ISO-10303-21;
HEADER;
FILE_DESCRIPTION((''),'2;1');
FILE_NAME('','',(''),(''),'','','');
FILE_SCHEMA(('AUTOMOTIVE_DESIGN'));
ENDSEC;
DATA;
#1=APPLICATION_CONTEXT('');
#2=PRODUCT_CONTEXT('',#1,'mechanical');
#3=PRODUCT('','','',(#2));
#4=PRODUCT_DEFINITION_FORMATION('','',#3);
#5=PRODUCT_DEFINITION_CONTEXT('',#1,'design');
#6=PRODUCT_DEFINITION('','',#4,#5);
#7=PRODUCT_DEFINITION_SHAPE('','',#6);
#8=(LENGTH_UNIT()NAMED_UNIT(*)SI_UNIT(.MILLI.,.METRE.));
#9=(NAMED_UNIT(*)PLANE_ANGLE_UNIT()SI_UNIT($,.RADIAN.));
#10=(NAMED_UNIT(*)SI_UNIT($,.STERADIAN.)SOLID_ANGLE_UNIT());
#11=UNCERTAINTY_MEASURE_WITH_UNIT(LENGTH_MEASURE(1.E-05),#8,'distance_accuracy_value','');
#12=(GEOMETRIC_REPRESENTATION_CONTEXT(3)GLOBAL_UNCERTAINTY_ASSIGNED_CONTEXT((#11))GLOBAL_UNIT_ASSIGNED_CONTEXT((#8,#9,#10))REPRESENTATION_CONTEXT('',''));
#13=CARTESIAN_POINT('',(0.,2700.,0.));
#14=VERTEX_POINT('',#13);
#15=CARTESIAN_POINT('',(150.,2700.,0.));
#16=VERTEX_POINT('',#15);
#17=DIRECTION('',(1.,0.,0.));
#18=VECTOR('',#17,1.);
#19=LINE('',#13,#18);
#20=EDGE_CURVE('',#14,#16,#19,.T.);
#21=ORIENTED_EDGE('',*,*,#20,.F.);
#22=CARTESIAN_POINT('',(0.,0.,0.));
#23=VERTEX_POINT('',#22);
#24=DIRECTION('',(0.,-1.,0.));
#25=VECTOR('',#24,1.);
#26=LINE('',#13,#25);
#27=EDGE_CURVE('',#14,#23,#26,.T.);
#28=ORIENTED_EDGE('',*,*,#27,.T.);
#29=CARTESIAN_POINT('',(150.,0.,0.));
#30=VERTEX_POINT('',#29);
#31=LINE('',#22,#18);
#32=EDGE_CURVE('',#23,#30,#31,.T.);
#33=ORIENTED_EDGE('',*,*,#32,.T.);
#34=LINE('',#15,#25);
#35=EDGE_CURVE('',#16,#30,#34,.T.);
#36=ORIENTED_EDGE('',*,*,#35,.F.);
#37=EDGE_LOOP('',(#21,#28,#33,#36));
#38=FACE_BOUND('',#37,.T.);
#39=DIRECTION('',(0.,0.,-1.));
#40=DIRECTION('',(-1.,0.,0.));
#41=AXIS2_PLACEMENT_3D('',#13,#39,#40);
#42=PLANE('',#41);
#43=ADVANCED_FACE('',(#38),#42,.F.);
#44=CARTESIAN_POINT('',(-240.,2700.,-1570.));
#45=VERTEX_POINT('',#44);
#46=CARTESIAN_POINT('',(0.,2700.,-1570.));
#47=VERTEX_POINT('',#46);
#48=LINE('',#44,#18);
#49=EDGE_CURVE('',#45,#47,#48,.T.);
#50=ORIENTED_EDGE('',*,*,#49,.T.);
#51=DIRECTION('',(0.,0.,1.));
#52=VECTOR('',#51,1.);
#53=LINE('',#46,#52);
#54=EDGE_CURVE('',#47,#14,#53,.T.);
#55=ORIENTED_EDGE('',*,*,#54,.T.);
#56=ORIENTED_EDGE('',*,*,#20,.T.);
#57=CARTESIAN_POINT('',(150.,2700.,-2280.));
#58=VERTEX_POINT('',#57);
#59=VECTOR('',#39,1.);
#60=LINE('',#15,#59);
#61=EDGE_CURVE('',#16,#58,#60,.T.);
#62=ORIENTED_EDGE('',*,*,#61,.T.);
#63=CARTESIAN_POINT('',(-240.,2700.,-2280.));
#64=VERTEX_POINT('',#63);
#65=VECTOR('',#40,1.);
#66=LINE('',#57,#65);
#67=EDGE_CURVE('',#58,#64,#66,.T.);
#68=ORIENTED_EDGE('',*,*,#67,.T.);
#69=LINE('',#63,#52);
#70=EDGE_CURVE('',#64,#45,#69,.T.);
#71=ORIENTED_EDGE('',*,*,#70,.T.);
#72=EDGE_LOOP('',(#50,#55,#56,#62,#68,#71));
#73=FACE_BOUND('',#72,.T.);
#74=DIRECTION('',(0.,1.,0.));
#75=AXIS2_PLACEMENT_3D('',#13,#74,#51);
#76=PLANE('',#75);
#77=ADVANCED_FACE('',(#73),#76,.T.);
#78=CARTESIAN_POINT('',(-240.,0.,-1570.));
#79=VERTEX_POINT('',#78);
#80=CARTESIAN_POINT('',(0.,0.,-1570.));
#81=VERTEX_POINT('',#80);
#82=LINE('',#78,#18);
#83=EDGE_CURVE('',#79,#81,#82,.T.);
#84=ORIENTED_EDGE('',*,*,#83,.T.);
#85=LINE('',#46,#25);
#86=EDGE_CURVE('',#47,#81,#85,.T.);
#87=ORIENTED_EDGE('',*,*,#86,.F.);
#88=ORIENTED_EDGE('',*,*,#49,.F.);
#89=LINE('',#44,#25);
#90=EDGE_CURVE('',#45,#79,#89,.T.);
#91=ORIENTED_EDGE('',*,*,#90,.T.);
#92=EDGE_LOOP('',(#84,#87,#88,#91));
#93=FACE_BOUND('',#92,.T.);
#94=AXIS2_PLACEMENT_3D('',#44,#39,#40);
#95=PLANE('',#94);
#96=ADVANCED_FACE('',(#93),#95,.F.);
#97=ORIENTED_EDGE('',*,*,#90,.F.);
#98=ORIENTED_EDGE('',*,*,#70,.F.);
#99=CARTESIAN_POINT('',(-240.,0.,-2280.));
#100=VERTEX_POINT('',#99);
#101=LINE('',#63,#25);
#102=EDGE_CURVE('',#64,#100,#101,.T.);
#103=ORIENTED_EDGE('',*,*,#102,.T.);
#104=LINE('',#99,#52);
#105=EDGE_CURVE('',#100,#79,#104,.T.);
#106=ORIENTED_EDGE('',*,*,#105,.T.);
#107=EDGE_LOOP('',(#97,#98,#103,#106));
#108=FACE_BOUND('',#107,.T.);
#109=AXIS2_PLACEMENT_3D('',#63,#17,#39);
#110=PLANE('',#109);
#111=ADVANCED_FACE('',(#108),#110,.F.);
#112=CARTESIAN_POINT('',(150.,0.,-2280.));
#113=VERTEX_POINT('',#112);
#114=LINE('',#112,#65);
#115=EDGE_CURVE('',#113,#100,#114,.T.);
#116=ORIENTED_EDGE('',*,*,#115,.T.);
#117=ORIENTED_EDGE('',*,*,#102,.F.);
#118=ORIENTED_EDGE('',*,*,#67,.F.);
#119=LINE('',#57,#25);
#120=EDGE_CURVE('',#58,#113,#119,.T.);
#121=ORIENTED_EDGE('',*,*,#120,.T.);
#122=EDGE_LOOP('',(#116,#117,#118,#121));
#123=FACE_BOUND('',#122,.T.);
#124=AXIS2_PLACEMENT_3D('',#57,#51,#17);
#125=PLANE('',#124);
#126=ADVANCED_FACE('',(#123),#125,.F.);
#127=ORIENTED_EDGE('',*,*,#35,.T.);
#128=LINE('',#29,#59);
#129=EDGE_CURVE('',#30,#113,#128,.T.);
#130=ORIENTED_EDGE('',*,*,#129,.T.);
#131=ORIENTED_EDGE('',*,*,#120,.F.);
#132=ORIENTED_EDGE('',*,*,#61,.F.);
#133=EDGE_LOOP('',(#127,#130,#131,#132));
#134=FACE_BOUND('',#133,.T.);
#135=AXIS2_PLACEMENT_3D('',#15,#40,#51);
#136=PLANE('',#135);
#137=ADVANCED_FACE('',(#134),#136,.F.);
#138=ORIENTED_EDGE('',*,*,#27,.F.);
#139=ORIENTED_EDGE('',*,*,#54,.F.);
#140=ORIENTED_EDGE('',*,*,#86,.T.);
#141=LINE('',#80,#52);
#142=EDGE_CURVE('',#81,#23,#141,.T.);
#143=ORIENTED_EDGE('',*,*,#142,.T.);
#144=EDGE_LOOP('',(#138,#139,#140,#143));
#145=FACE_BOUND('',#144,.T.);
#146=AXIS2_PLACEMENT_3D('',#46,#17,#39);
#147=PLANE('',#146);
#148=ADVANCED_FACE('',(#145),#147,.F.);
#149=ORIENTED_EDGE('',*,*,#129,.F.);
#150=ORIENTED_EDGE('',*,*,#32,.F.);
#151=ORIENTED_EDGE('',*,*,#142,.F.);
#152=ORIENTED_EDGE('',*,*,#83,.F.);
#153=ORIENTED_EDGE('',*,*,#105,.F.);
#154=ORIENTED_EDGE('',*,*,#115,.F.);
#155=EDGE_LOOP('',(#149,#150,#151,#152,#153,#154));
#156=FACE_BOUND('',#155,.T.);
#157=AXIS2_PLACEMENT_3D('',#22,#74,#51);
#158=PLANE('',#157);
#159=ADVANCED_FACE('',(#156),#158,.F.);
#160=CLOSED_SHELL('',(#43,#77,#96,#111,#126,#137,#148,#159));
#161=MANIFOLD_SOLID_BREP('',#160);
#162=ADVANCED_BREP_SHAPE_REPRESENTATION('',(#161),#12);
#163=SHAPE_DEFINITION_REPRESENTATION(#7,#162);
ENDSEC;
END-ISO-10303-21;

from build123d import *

# Parameters (mm, degrees)
RESSALTO_EXTRUS_O1_DEPTH = 2700


with BuildPart() as part:
    # Esboço1 → Ressalto-extrusão1 (new body)
    with BuildSketch(Plane(origin=(0, 0, 0), x_dir=(1, 0, 0), z_dir=(0, 1, 0))):
        Polygon((0, 0), (150, 0), (150, 2280), (-240, 2280), (-240, 1570), (0, 1570), align=None)
    extrude(amount=RESSALTO_EXTRUS_O1_DEPTH)


solid = part.part
